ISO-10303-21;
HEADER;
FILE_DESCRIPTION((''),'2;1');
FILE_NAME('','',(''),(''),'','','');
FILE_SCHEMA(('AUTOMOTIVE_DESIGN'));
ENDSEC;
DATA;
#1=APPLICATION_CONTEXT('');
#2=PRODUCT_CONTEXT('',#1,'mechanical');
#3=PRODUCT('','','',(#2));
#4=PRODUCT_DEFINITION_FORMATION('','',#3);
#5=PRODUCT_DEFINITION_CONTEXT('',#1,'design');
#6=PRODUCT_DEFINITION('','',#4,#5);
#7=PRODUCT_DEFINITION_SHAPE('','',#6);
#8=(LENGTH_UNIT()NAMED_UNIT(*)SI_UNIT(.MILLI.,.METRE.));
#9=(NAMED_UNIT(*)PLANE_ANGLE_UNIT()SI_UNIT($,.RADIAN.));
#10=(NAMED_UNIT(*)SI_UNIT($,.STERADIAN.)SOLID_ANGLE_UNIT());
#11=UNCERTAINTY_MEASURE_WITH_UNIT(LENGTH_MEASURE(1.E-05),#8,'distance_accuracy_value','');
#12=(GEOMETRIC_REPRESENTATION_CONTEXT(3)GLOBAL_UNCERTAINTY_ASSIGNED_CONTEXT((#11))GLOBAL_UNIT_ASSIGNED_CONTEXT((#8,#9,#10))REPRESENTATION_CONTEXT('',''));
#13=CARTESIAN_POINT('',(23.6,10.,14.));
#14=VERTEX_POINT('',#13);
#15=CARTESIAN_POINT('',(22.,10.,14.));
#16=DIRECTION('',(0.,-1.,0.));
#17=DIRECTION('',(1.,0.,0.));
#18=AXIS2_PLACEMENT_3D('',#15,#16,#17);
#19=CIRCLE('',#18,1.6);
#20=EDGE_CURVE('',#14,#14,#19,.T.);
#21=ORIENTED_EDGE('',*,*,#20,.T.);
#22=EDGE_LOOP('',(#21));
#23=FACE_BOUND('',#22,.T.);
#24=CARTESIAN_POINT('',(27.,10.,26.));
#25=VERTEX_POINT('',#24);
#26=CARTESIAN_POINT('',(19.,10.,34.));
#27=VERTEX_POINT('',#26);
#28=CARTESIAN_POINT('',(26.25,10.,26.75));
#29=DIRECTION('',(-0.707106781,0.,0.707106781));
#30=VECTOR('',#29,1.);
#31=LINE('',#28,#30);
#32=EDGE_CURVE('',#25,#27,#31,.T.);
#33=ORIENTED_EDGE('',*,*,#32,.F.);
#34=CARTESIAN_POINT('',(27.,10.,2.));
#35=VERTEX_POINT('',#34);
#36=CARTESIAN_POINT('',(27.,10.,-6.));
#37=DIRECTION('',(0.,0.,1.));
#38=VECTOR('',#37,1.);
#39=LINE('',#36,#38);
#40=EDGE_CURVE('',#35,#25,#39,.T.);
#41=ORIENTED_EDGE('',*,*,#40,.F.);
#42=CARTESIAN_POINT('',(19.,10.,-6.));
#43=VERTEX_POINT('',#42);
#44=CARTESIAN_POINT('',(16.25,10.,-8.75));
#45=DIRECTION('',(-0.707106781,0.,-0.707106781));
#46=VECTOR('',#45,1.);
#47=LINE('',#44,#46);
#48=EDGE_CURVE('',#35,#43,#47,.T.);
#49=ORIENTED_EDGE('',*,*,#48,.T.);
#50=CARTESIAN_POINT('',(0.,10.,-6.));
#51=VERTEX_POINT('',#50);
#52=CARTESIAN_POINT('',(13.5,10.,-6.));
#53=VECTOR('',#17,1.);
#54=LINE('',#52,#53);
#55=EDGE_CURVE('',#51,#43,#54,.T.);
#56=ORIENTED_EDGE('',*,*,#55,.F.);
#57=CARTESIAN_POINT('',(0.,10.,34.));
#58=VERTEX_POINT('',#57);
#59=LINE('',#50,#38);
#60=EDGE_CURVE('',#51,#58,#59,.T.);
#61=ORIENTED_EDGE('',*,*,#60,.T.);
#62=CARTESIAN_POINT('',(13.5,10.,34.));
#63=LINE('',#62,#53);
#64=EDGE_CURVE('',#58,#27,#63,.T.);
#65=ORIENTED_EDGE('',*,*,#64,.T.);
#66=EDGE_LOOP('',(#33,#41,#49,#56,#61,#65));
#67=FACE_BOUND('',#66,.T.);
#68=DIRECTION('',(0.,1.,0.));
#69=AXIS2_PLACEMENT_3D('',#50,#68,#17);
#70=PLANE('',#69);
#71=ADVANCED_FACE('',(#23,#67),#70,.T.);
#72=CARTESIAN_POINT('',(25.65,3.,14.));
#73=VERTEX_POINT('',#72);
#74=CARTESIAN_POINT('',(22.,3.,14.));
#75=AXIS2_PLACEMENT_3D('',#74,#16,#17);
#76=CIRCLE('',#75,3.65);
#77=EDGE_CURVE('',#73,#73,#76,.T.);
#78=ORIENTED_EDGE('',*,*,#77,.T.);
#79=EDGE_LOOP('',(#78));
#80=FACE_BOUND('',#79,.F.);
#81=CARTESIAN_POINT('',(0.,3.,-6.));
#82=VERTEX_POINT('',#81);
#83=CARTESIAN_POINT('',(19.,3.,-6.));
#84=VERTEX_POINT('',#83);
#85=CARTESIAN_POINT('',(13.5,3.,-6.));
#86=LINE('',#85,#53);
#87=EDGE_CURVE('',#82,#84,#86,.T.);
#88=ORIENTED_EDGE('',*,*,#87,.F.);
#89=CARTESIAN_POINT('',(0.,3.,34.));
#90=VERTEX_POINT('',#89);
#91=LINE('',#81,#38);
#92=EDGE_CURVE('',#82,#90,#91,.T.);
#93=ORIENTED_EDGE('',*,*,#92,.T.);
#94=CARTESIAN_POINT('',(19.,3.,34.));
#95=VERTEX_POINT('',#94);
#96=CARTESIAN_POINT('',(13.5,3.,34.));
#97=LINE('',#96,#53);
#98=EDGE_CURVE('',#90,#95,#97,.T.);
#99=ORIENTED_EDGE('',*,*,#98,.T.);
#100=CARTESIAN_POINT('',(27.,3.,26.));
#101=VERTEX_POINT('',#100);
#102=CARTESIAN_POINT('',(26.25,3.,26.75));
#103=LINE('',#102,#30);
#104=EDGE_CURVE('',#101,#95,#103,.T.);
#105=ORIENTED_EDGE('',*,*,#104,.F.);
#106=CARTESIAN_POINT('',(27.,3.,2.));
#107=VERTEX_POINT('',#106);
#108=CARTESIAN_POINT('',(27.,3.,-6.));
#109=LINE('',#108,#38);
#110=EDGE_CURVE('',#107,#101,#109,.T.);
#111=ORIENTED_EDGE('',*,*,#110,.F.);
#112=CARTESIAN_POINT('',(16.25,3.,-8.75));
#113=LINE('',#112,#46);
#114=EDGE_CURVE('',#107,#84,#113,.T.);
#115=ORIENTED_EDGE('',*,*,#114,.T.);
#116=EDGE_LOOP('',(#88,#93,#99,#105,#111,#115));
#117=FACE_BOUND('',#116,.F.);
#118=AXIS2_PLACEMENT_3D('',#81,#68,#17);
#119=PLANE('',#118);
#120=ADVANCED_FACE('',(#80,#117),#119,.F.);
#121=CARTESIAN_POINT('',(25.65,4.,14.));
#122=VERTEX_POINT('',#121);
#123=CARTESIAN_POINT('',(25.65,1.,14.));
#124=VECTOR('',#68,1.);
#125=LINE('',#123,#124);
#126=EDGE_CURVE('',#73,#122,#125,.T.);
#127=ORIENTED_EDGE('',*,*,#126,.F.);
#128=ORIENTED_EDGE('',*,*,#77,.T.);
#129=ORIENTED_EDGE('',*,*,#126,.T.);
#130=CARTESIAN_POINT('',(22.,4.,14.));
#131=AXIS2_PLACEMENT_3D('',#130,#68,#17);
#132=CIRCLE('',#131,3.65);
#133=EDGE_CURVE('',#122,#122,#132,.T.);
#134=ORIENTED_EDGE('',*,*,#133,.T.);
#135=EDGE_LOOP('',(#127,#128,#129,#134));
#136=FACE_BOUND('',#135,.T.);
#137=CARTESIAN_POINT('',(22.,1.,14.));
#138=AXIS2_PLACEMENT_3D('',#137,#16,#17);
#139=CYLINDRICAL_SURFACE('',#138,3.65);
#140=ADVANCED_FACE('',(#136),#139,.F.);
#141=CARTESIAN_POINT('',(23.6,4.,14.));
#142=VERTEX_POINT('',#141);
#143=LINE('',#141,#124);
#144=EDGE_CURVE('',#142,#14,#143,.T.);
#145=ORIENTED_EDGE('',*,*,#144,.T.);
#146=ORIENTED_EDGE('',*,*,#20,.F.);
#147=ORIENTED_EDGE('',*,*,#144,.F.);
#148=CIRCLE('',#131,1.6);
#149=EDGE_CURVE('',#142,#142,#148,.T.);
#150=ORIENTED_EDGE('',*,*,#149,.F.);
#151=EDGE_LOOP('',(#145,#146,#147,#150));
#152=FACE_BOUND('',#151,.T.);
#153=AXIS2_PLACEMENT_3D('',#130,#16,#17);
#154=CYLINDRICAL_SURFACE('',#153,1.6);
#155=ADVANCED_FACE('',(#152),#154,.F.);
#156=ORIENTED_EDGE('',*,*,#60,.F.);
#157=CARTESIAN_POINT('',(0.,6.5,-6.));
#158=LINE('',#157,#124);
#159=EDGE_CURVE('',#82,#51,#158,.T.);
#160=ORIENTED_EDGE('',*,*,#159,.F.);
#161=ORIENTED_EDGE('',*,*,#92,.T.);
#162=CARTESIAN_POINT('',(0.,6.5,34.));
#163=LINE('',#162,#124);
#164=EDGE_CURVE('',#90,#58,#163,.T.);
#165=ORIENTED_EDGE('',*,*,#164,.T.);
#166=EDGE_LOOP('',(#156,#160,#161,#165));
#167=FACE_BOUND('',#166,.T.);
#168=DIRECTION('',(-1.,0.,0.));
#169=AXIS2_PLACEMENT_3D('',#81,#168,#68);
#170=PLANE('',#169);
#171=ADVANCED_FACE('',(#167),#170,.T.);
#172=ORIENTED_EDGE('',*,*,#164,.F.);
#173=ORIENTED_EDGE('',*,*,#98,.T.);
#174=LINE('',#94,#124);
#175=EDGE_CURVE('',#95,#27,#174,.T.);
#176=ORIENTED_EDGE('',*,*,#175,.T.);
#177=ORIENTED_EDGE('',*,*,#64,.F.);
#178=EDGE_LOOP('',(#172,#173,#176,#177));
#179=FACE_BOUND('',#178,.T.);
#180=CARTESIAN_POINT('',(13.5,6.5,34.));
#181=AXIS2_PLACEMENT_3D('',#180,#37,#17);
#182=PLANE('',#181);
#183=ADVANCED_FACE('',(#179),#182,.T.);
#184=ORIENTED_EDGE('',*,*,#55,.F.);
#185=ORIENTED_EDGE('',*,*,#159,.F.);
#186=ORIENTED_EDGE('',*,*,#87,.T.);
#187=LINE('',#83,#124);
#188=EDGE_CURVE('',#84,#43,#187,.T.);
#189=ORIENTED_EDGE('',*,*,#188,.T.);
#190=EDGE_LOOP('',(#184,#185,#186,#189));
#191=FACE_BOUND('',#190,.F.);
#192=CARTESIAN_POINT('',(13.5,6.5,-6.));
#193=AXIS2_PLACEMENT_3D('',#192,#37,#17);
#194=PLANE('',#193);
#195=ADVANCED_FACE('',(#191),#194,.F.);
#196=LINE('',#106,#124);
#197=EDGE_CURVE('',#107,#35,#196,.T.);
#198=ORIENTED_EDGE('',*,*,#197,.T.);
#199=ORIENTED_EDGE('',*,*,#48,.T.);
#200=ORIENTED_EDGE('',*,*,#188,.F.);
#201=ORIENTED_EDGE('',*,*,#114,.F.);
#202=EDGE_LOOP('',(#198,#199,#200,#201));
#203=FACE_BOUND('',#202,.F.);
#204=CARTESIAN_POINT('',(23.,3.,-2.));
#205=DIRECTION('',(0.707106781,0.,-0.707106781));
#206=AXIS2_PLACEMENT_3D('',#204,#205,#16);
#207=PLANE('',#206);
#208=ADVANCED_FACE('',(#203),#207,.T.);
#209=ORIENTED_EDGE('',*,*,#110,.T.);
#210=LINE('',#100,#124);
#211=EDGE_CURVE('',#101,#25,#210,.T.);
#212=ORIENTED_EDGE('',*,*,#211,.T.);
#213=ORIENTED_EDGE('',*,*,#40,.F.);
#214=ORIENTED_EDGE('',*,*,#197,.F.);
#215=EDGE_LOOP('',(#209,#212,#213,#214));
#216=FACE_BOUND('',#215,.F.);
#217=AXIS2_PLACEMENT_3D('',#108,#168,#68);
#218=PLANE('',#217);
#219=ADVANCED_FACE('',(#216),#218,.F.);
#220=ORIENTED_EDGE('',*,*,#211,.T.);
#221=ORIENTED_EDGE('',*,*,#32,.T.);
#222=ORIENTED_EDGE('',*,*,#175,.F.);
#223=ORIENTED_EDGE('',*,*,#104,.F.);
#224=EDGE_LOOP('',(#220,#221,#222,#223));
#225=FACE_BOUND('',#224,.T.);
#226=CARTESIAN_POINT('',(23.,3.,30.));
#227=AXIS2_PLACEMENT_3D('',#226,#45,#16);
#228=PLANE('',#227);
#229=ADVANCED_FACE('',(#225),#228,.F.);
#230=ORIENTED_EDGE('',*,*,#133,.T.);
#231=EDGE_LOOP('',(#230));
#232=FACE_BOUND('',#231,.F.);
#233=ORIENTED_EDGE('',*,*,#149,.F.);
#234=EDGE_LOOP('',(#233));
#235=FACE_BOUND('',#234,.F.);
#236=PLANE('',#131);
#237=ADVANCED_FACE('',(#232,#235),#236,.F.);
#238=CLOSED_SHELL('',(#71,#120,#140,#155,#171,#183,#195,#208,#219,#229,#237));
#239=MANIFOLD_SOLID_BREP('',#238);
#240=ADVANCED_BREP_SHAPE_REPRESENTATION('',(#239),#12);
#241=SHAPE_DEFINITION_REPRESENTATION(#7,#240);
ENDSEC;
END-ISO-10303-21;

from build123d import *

# Parameters (mm, degrees)
CYLINDER003_R         = 3.65
CYLINDER003_DEPTH     = 3
CYLINDER004_R         = 1.6
CYLINDER004_DEPTH     = 10
BOX008_W              = 27
BOX008_H              = 7
BOX008_DEPTH          = 40
CHAMFER020026005_SIZE = 8


with BuildPart() as cylinder003:
    # Cylinder003 → Cylinder003 (new body)
    with BuildSketch(Plane(origin=(0, 0, 0), x_dir=(1, 0, 0), z_dir=(0, 1, 0))):
        Circle(CYLINDER003_R)
    extrude(amount=CYLINDER003_DEPTH)


with BuildPart() as m3_slot:
    # Cylinder004 → Cylinder004 (new body)
    with BuildSketch(Plane(origin=(0, 3, 0), x_dir=(1, 0, 0), z_dir=(0, 1, 0))):
        Circle(CYLINDER004_R)
    extrude(amount=CYLINDER004_DEPTH)

    # Fusion005: union Cylinder003
    add(cylinder003.part)


with BuildPart() as m3_slot_1:
    # Fusion005 placement: moved
    add(m3_slot.part.moved(Location((22, 1, 14))))


with BuildPart() as cut002002002007004004001006015:
    # Box008 → Box008 (new body)
    with BuildSketch(Plane(origin=(0, 3, -6), x_dir=(1, 0, 0), z_dir=(0, 0, 1))):
        with Locations((13.5, 3.5)):
            Rectangle(BOX008_W, BOX008_H)
    extrude(amount=BOX008_DEPTH)

    # Chamfer020026005
    chamfer020026005_edges = [cut002002002007004004001006015.edges().sort_by_distance(p)[0] for p in [
        (27, 6.5, 34),
        (27, 6.5, -6),
    ]]
    chamfer(chamfer020026005_edges, length=CHAMFER020026005_SIZE)

    # Cut002002002007004004001006015: cut m3-slot
    add(m3_slot_1.part, mode=Mode.SUBTRACT)


solid = cut002002002007004004001006015.part
